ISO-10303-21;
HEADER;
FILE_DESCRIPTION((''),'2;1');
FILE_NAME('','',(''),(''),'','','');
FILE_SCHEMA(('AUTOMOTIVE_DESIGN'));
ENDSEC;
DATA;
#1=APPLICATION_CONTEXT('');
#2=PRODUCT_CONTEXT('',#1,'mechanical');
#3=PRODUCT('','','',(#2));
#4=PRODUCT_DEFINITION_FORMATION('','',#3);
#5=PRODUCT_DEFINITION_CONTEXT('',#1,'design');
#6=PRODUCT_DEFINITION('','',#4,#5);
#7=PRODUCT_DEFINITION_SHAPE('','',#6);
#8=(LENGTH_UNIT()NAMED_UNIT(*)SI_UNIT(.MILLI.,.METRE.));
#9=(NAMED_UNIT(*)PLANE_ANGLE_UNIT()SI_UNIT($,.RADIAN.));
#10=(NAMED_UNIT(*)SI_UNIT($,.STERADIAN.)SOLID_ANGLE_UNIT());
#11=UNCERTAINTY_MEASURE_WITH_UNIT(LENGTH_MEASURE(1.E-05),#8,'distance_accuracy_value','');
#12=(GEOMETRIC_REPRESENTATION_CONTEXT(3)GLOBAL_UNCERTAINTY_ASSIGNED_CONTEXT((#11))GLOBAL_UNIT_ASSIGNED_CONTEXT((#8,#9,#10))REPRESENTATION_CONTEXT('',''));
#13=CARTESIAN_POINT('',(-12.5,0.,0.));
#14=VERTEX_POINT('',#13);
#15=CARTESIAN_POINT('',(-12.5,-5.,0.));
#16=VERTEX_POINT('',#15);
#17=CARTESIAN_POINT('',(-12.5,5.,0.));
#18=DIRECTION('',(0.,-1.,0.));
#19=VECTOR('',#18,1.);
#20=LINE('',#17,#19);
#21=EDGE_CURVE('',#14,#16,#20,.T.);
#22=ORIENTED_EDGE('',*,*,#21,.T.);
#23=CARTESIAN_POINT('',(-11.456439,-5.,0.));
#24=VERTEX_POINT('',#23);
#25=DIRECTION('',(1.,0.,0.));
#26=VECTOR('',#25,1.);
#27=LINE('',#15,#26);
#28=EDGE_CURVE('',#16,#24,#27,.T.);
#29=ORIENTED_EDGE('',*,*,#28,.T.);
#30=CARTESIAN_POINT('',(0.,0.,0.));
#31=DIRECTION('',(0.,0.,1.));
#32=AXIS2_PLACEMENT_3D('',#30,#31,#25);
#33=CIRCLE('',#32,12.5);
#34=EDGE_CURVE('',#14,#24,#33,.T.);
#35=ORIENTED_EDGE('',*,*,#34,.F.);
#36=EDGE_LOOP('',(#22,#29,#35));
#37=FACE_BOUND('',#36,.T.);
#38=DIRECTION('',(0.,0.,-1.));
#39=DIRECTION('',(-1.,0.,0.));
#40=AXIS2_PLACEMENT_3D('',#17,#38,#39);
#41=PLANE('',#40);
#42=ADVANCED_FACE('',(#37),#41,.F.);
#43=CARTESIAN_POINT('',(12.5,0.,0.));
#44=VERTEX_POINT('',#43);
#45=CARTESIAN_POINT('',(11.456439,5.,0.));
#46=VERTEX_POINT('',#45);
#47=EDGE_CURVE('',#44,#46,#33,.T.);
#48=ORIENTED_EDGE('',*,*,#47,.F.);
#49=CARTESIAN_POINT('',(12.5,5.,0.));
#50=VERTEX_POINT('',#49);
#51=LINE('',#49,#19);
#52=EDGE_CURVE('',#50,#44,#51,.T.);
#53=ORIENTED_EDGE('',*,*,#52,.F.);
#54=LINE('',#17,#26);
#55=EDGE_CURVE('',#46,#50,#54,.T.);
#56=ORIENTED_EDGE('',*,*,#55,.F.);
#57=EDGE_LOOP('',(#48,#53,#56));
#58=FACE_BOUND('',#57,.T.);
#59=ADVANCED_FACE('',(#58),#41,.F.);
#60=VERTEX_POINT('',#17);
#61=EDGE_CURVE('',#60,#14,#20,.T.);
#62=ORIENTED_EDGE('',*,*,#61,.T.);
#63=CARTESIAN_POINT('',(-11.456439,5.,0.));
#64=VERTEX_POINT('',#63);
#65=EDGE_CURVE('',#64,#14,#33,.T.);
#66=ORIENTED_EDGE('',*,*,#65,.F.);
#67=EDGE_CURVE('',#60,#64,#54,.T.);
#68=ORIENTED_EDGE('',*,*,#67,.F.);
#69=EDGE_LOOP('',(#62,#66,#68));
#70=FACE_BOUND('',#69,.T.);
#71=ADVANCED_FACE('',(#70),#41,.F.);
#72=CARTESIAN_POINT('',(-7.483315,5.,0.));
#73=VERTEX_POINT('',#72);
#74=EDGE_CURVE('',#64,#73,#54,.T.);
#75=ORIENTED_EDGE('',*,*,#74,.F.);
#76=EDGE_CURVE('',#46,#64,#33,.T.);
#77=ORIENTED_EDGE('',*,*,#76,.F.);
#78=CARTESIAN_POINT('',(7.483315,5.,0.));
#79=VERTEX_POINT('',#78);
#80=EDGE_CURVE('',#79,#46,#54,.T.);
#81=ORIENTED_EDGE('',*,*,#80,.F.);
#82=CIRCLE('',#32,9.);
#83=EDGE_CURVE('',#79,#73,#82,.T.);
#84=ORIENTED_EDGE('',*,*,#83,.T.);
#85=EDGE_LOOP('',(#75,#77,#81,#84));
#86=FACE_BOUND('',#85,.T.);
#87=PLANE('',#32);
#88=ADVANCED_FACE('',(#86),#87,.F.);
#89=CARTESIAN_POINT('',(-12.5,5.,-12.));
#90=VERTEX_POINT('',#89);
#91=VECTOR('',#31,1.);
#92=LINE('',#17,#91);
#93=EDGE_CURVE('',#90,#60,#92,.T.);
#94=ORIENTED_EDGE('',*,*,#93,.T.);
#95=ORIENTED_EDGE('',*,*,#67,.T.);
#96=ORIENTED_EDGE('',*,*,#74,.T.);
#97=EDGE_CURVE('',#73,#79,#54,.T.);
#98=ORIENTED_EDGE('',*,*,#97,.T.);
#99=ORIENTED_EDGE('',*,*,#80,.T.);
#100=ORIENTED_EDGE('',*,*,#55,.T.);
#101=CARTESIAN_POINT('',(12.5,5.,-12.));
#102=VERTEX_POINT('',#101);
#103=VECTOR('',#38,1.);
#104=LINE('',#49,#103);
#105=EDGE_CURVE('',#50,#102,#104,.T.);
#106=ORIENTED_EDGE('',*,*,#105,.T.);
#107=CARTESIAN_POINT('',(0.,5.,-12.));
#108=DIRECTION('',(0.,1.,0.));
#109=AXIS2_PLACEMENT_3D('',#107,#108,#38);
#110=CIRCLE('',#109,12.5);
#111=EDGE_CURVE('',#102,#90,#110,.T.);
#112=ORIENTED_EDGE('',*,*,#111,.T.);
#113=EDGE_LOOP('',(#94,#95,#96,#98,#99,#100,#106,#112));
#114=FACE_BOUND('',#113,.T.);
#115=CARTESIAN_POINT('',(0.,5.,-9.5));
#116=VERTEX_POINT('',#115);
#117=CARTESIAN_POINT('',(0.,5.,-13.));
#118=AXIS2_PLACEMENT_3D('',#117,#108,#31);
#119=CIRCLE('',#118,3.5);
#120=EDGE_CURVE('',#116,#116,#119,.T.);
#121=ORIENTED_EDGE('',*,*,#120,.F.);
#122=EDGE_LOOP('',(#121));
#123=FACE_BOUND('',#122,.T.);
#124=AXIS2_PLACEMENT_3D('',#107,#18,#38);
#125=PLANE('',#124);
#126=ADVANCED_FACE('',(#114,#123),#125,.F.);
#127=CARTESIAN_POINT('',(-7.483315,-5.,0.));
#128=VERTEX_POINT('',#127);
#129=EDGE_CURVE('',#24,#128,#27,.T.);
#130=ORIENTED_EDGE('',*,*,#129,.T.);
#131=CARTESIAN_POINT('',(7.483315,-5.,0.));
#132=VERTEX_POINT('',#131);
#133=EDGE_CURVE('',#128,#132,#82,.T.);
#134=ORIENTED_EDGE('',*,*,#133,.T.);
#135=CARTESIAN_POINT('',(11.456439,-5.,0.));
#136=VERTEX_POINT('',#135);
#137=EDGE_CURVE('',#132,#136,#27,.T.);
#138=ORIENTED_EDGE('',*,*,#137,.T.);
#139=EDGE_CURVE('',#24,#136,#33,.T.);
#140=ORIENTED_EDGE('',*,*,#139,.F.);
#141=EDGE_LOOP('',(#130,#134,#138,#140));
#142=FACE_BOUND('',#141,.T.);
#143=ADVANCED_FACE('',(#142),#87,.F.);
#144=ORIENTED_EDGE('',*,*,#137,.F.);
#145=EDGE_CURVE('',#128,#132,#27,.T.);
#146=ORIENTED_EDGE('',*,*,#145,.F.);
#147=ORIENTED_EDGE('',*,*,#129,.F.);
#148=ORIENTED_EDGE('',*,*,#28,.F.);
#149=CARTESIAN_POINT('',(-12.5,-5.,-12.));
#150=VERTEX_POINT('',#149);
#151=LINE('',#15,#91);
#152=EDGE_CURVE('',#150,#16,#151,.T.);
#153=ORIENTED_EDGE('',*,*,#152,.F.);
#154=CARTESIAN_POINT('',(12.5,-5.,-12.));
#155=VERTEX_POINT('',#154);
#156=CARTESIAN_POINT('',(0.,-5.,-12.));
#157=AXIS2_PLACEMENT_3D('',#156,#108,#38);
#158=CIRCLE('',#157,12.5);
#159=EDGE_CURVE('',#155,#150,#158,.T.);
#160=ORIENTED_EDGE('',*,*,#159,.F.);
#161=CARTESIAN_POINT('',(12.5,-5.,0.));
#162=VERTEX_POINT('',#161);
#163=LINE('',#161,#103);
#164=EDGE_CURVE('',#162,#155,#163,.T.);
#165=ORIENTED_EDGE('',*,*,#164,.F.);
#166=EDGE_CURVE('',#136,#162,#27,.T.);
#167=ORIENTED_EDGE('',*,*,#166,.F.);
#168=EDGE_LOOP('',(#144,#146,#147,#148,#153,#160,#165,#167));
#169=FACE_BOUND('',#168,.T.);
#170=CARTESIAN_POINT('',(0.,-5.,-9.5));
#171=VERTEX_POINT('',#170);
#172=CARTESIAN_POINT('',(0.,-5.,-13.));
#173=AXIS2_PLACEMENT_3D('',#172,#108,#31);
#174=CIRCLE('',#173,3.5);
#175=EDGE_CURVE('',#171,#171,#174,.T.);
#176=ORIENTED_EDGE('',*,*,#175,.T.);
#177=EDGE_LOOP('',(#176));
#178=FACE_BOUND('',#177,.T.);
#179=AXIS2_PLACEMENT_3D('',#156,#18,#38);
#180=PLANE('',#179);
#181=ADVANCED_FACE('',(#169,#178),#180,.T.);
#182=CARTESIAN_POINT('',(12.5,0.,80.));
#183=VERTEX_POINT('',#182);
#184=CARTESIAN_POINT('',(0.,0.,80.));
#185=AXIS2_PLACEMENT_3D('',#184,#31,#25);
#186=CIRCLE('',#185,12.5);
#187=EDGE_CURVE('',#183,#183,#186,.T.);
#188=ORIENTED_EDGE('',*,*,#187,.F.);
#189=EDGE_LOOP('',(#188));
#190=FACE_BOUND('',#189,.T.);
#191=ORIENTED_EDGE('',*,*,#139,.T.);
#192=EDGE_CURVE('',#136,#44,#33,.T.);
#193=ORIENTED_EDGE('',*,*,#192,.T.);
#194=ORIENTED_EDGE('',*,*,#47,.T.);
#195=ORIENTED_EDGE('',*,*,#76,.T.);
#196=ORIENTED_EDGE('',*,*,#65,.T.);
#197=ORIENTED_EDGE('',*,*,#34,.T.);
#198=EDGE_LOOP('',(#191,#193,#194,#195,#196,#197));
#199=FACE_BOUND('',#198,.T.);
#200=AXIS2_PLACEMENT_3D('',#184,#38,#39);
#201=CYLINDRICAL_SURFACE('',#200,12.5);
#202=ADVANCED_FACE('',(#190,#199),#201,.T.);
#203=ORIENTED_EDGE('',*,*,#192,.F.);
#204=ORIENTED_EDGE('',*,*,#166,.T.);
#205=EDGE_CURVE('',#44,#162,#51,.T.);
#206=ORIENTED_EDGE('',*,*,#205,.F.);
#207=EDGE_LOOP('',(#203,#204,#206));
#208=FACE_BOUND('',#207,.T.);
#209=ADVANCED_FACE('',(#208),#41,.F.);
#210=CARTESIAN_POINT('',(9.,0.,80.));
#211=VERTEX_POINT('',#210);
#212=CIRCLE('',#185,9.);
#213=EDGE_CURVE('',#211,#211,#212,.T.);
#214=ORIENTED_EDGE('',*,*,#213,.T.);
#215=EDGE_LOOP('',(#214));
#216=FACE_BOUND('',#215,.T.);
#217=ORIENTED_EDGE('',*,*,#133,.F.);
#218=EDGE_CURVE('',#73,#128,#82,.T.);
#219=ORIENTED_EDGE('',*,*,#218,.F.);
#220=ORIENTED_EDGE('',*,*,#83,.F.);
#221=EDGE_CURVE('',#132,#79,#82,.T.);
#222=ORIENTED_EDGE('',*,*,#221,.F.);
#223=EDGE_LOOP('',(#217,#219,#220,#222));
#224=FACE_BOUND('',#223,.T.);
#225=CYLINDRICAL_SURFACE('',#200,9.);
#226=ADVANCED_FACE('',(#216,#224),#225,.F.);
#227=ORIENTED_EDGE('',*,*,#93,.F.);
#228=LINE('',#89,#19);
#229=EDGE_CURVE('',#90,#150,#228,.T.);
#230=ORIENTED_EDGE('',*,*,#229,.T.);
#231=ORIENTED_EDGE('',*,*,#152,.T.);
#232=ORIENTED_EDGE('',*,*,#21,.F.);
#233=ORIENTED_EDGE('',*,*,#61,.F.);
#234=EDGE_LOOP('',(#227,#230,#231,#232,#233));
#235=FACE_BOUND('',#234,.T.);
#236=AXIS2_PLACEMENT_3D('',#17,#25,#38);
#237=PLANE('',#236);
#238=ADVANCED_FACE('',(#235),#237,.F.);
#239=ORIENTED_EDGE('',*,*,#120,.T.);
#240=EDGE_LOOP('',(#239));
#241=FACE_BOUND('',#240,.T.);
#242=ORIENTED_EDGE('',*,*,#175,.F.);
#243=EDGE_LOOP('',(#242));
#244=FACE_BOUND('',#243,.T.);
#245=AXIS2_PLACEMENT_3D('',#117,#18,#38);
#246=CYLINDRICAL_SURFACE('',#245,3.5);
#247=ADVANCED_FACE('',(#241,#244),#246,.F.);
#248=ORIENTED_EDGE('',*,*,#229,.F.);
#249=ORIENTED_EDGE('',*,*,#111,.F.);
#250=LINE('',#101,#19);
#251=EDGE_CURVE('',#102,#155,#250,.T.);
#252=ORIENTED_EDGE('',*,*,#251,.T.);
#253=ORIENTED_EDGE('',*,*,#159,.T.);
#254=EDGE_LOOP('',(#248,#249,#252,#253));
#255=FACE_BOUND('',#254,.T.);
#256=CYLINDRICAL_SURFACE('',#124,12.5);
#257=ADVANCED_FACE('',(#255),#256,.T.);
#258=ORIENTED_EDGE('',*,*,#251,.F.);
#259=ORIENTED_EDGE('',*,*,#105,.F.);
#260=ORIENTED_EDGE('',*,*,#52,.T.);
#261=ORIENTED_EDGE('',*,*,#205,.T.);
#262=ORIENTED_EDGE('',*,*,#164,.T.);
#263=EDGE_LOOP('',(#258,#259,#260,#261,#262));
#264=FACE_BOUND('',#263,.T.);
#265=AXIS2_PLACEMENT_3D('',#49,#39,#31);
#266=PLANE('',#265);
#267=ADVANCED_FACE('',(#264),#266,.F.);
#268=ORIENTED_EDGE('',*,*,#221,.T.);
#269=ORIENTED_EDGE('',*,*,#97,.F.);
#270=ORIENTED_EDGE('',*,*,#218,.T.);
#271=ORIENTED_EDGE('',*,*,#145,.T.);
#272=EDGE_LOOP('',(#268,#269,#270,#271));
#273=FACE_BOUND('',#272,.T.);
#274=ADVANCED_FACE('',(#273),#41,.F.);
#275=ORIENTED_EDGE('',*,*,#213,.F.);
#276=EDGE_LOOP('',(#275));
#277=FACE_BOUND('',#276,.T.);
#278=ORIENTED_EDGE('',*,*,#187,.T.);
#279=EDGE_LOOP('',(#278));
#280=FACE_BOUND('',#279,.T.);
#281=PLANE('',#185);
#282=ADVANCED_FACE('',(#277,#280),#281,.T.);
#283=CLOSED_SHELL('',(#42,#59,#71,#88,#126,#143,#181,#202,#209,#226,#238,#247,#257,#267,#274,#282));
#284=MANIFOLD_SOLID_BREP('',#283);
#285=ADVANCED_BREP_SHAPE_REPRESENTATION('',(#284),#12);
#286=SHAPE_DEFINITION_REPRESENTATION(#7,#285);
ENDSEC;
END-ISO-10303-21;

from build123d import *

# Parameters (mm, degrees)
SKETCH1_R           = 12.5
SKETCH1_R_2         = 9
BOSS_EXTRUDE1_DEPTH = 80
SKETCH2_R           = 3.5
BOSS_EXTRUDE2_DEPTH = 5


with BuildPart() as part:
    # Sketch1 → Boss-Extrude1 (new body)
    with BuildSketch(Plane.XY):
        Circle(SKETCH1_R)
        Circle(SKETCH1_R_2, mode=Mode.SUBTRACT)
    extrude(amount=BOSS_EXTRUDE1_DEPTH)

    # Sketch2 → Boss-Extrude2 (add, symmetric)
    with BuildSketch(Plane(origin=(0, 0, 0), x_dir=(1, 0, 0), z_dir=(0, 1, 0))):
        with BuildLine():
            Line((-12.5, 0), (12.5, 0))
            Line((12.5, 0), (12.5, 12))
            ThreePointArc((12.5, 12), (0, 24.5), (-12.5, 12))
            Line((-12.5, 12), (-12.5, 0))
        make_face()
        with Locations((0, 13)):
            Circle(SKETCH2_R, mode=Mode.SUBTRACT)
    extrude(amount=BOSS_EXTRUDE2_DEPTH, both=True)


solid = part.part
